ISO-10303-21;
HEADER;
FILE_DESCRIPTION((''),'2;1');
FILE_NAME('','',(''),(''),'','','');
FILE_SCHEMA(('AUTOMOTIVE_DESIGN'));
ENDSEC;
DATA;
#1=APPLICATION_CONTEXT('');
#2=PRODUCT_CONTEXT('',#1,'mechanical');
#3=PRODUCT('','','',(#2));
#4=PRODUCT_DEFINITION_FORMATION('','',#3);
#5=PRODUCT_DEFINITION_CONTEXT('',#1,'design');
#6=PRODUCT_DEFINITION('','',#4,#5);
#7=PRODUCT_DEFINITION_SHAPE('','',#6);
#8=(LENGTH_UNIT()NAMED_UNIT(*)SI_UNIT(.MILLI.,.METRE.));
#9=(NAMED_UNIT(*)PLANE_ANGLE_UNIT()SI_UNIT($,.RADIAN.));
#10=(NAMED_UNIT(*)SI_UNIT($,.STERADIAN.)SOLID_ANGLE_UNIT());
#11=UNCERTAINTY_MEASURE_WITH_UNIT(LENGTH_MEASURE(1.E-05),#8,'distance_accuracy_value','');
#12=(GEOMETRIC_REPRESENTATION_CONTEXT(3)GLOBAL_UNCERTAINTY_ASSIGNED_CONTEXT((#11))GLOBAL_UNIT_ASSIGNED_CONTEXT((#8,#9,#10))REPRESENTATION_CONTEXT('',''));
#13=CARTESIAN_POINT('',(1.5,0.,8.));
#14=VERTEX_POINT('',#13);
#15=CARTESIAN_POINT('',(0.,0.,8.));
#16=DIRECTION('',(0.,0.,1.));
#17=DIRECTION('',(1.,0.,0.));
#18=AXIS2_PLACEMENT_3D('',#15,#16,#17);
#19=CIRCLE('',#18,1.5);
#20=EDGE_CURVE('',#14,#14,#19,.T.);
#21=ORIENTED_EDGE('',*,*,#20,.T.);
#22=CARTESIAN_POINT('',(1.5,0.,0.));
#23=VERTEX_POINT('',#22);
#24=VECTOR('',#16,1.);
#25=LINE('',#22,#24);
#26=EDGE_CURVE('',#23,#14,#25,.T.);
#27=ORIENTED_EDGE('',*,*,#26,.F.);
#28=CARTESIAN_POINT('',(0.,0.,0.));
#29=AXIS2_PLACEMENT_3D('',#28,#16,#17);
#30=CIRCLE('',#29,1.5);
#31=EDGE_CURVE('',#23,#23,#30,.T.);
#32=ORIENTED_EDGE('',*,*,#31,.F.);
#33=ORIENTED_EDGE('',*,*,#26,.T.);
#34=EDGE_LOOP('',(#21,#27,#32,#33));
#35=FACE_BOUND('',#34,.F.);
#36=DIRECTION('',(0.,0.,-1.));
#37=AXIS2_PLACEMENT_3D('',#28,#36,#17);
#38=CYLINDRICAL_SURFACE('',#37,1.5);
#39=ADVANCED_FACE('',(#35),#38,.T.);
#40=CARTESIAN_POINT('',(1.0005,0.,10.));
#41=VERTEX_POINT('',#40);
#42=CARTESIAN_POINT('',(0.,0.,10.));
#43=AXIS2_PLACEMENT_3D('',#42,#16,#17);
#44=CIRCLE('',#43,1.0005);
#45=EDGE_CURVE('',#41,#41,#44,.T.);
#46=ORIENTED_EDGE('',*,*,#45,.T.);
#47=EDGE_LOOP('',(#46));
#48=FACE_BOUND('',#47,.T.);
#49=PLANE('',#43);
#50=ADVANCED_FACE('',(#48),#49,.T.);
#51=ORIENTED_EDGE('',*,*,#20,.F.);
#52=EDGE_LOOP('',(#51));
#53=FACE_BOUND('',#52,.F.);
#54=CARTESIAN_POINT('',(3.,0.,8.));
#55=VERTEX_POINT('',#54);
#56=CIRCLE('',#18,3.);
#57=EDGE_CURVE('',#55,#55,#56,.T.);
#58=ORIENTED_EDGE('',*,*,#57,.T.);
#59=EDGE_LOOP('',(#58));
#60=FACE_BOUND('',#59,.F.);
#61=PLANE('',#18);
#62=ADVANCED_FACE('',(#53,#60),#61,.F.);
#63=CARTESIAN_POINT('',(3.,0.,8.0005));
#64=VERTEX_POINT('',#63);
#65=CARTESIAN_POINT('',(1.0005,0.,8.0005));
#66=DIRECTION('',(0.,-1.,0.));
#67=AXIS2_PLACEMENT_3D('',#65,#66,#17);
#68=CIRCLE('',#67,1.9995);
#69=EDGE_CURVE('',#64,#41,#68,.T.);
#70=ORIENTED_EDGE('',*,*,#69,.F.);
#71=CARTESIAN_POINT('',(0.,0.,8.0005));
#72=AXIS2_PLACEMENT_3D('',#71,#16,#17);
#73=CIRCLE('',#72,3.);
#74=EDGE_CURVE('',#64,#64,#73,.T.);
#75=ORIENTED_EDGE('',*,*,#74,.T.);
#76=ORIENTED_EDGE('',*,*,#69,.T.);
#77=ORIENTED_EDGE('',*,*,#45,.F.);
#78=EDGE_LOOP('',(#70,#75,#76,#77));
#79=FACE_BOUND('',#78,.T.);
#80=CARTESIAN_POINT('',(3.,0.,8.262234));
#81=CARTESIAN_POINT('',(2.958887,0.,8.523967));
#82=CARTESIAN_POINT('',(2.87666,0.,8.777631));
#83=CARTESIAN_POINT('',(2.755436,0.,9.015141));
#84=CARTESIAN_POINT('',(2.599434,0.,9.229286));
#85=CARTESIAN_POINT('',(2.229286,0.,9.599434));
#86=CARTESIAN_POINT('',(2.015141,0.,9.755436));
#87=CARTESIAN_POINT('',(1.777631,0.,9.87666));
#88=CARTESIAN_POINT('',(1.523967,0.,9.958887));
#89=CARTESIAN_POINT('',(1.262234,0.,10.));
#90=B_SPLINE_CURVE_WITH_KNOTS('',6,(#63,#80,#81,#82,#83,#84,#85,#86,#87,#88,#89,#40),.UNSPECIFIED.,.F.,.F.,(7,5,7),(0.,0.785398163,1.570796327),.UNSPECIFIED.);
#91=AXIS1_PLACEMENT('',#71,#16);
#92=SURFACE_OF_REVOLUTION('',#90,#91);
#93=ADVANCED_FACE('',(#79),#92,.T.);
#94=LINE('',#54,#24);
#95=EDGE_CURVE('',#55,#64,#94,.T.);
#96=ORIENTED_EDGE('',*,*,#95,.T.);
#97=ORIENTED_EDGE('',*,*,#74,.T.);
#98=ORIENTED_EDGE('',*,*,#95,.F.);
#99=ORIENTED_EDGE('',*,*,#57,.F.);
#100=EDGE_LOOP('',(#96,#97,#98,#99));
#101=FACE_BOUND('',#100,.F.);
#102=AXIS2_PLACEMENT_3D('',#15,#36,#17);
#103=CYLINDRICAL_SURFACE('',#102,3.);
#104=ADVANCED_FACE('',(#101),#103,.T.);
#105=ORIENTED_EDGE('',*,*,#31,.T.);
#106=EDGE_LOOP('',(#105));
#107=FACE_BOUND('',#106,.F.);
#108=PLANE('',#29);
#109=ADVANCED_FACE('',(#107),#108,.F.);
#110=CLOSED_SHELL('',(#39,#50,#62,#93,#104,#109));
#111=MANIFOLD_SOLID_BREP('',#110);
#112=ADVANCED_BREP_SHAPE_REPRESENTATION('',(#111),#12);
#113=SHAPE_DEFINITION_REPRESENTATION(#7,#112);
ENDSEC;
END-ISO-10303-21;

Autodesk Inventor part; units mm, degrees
ref_plane "YZ Plane" through (0, 0, 0) normal (1, 0, 0) x (0, 1, 0)
ref_plane "XZ Plane" through (0, 0, 0) normal (0, 1, 0) x (-1, 0, 0)
ref_plane "XY Plane" through (0, 0, 0) normal (0, 0, 1) x (1, 0, 0)
sketch "スケッチ1" plane through (0, 0, 0) normal (0, 0, 1) x (1, 0, 0)
  circle A0 centre (0, 0) radius 1.5
  dimension "d0" = 3
extrude "押し出し1" add sketch "スケッチ1" along normal blind 8
sketch "スケッチ2" plane through (0, 0, 8) normal (0, 0, 1) x (1, 0, 0)
  circle A0 centre (0, 0) radius 1.5 projected
  circle A1 centre (0, 0) radius 3
  dimension "d3" = 6
extrude "押し出し2" add sketch "スケッチ2" along normal blind 2 contours A0 | A1
fillet "フィレット1" radius 2 1 edges at (-3, 0, 10)
properties part number "M3ボタンボルト8" material "鋼、高強度、低合金"
